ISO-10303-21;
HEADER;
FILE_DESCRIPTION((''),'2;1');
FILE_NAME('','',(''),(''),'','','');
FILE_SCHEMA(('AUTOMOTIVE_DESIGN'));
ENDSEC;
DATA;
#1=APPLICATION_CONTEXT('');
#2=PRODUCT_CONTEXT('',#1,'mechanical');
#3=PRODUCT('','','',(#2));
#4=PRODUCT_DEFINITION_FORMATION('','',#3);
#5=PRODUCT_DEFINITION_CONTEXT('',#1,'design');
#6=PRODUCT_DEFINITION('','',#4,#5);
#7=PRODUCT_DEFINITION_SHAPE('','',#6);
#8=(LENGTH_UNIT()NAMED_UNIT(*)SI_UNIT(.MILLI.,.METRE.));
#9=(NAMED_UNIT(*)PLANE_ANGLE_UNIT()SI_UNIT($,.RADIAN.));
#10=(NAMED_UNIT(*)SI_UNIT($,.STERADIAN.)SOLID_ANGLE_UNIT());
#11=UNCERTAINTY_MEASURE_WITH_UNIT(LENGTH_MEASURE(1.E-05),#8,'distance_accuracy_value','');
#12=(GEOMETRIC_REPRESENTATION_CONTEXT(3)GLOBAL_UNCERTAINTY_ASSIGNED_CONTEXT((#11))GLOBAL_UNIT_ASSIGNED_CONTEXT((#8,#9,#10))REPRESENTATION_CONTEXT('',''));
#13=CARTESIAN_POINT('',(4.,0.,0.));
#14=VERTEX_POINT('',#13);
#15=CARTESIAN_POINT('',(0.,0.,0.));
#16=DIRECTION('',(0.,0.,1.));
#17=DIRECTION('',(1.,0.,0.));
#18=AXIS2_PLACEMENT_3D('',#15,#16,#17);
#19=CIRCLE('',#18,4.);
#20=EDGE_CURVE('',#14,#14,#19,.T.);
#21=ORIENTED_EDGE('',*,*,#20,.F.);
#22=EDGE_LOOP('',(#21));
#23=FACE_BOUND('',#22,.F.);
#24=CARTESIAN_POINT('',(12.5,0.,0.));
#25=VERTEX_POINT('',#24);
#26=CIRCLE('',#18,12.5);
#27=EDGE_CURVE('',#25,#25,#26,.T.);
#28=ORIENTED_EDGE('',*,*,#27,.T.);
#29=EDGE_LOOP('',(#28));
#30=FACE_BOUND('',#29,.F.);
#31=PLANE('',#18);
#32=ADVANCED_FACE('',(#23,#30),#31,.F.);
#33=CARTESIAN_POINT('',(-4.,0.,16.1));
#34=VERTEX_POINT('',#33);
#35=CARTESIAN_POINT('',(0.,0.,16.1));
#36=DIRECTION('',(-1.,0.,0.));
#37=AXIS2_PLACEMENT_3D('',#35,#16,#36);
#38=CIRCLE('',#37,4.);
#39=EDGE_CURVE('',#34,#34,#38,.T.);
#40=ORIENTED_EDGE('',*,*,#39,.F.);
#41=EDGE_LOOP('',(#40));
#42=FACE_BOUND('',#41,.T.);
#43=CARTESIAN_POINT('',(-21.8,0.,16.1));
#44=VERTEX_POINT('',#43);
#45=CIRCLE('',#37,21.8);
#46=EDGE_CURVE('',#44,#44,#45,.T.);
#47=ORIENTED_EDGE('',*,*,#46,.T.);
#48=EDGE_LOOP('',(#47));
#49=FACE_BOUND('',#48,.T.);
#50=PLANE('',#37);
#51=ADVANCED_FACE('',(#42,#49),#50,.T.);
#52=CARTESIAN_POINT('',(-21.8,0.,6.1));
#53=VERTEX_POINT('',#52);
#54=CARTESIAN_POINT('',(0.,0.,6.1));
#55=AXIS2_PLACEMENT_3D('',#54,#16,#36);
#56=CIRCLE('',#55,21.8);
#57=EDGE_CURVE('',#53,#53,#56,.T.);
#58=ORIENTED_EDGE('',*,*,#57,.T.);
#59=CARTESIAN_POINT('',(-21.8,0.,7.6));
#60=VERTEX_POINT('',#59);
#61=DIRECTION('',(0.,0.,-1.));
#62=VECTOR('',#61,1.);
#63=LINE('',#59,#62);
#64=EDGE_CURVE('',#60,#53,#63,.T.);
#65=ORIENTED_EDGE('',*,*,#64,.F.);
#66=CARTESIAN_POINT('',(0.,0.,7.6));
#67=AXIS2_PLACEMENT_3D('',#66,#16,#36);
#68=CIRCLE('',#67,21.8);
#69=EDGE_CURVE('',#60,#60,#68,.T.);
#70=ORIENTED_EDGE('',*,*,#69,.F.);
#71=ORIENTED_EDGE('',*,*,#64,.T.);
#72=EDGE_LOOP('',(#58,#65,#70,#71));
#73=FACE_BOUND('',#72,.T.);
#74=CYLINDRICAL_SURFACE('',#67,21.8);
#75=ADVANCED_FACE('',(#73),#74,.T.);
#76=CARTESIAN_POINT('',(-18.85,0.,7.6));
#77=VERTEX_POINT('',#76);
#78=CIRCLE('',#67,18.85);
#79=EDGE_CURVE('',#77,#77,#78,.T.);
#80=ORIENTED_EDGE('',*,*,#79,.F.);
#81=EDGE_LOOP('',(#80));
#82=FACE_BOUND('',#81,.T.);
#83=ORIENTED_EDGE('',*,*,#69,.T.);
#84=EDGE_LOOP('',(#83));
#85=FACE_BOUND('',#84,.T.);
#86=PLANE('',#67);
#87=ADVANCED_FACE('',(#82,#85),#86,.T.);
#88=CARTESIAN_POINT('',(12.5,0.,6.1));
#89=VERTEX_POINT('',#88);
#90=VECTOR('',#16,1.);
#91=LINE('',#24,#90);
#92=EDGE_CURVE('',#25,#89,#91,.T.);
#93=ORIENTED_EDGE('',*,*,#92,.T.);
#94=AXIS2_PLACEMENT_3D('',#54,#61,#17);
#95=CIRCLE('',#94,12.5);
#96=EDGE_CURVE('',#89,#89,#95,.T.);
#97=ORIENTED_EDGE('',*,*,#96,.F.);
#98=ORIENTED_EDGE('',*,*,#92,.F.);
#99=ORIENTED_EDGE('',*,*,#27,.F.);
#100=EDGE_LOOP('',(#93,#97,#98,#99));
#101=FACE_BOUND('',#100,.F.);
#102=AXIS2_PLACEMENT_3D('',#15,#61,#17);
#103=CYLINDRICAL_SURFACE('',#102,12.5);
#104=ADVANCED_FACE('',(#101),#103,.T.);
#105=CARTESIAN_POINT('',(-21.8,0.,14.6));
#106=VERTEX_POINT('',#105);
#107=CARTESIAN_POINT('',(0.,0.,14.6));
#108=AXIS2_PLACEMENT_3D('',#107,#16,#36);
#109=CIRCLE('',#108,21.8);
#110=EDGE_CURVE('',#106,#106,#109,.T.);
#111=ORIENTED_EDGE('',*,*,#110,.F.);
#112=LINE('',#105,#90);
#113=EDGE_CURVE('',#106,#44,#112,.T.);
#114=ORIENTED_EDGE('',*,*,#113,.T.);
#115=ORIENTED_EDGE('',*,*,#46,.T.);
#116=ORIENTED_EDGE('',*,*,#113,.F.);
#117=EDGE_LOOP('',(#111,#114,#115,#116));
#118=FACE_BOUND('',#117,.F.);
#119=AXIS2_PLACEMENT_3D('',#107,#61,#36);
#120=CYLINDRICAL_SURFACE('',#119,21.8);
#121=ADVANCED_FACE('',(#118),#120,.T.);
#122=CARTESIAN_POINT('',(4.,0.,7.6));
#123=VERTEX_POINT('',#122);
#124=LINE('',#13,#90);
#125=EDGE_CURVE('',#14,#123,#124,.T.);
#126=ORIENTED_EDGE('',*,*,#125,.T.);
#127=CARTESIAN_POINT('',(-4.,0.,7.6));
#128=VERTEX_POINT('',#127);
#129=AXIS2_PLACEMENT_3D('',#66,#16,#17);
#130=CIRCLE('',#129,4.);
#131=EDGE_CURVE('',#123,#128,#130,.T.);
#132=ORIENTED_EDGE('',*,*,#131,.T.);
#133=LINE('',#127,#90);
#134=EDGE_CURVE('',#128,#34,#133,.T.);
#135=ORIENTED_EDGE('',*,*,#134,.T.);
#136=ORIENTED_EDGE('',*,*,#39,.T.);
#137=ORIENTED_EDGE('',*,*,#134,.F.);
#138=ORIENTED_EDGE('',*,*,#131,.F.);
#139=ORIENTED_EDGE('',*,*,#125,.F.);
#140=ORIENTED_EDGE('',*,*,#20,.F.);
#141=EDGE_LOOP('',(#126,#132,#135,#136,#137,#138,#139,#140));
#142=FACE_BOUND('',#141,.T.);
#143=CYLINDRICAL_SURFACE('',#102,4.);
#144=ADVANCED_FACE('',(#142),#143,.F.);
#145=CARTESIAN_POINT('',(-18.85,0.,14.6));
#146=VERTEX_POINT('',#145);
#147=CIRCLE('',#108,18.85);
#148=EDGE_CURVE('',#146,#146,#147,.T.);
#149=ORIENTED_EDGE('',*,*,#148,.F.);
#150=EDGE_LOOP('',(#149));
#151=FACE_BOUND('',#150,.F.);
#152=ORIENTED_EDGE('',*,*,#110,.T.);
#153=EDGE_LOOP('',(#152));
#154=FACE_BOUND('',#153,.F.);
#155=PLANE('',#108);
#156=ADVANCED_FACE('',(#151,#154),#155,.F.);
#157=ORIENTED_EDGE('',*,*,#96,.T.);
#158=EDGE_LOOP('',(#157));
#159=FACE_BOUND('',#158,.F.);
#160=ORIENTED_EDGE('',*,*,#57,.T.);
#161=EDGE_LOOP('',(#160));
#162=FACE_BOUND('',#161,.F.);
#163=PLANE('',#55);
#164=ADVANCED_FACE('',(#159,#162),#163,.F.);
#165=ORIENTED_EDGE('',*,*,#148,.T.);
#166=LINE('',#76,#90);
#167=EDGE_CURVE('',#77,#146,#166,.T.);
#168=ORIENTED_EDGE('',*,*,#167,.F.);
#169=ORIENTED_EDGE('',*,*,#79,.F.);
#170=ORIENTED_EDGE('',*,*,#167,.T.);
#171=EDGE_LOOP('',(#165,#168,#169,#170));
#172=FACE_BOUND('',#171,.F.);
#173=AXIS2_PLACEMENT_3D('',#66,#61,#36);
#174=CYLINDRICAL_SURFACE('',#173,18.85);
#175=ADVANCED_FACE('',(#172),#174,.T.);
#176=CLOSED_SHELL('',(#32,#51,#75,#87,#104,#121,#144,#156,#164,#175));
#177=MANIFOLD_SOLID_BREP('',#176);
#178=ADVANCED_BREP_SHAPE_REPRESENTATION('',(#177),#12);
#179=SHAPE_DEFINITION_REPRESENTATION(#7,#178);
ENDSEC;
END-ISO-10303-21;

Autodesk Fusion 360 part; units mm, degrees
sketch "Sketch1" plane through (0, 0, 0) normal (0, 0, 1) x (1, 0, 0)
  circle A0 centre (0, 0) radius 12.5
  circle A1 centre (0, 0) radius 4
  dimension "d1" = 25
  dimension "d2" = 8
extrude "Extrude1" add sketch "Sketch1" along normal blind 7.6
sketch "Sketch2" plane through (0, 0, 7.6) normal (0, 0, 1) x (-1, 0, 0)
  circle A0 centre (0, 0) radius 4
  circle A1 centre (0, 0) radius 12.5
  circle A2 centre (0, 0) radius 18.85
  circle A3 centre (0, 0) radius 21.8
  dimension "d5" = 37.7
  dimension "d11" = 43.6
extrude "Extrude2" add sketch "Sketch2" along normal blind 7 contours A1 | A2
sketch "Sketch3" plane through (0, 0, 14.6) normal (0, 0, 1) x (-1, 0, 0)
  circle A0 centre (0, 0) radius 4
  circle A1 centre (0, 0) radius 18.85
  circle A2 centre (0, 0) radius 21.8
  dimension "d8" = 43.6
extrude "Extrude3" add sketch "Sketch3" along normal blind 1.5 contours A1 | A2
extrude "Extrude4" add sketch "Sketch2" against normal blind 1.5 contours A2 | A3
